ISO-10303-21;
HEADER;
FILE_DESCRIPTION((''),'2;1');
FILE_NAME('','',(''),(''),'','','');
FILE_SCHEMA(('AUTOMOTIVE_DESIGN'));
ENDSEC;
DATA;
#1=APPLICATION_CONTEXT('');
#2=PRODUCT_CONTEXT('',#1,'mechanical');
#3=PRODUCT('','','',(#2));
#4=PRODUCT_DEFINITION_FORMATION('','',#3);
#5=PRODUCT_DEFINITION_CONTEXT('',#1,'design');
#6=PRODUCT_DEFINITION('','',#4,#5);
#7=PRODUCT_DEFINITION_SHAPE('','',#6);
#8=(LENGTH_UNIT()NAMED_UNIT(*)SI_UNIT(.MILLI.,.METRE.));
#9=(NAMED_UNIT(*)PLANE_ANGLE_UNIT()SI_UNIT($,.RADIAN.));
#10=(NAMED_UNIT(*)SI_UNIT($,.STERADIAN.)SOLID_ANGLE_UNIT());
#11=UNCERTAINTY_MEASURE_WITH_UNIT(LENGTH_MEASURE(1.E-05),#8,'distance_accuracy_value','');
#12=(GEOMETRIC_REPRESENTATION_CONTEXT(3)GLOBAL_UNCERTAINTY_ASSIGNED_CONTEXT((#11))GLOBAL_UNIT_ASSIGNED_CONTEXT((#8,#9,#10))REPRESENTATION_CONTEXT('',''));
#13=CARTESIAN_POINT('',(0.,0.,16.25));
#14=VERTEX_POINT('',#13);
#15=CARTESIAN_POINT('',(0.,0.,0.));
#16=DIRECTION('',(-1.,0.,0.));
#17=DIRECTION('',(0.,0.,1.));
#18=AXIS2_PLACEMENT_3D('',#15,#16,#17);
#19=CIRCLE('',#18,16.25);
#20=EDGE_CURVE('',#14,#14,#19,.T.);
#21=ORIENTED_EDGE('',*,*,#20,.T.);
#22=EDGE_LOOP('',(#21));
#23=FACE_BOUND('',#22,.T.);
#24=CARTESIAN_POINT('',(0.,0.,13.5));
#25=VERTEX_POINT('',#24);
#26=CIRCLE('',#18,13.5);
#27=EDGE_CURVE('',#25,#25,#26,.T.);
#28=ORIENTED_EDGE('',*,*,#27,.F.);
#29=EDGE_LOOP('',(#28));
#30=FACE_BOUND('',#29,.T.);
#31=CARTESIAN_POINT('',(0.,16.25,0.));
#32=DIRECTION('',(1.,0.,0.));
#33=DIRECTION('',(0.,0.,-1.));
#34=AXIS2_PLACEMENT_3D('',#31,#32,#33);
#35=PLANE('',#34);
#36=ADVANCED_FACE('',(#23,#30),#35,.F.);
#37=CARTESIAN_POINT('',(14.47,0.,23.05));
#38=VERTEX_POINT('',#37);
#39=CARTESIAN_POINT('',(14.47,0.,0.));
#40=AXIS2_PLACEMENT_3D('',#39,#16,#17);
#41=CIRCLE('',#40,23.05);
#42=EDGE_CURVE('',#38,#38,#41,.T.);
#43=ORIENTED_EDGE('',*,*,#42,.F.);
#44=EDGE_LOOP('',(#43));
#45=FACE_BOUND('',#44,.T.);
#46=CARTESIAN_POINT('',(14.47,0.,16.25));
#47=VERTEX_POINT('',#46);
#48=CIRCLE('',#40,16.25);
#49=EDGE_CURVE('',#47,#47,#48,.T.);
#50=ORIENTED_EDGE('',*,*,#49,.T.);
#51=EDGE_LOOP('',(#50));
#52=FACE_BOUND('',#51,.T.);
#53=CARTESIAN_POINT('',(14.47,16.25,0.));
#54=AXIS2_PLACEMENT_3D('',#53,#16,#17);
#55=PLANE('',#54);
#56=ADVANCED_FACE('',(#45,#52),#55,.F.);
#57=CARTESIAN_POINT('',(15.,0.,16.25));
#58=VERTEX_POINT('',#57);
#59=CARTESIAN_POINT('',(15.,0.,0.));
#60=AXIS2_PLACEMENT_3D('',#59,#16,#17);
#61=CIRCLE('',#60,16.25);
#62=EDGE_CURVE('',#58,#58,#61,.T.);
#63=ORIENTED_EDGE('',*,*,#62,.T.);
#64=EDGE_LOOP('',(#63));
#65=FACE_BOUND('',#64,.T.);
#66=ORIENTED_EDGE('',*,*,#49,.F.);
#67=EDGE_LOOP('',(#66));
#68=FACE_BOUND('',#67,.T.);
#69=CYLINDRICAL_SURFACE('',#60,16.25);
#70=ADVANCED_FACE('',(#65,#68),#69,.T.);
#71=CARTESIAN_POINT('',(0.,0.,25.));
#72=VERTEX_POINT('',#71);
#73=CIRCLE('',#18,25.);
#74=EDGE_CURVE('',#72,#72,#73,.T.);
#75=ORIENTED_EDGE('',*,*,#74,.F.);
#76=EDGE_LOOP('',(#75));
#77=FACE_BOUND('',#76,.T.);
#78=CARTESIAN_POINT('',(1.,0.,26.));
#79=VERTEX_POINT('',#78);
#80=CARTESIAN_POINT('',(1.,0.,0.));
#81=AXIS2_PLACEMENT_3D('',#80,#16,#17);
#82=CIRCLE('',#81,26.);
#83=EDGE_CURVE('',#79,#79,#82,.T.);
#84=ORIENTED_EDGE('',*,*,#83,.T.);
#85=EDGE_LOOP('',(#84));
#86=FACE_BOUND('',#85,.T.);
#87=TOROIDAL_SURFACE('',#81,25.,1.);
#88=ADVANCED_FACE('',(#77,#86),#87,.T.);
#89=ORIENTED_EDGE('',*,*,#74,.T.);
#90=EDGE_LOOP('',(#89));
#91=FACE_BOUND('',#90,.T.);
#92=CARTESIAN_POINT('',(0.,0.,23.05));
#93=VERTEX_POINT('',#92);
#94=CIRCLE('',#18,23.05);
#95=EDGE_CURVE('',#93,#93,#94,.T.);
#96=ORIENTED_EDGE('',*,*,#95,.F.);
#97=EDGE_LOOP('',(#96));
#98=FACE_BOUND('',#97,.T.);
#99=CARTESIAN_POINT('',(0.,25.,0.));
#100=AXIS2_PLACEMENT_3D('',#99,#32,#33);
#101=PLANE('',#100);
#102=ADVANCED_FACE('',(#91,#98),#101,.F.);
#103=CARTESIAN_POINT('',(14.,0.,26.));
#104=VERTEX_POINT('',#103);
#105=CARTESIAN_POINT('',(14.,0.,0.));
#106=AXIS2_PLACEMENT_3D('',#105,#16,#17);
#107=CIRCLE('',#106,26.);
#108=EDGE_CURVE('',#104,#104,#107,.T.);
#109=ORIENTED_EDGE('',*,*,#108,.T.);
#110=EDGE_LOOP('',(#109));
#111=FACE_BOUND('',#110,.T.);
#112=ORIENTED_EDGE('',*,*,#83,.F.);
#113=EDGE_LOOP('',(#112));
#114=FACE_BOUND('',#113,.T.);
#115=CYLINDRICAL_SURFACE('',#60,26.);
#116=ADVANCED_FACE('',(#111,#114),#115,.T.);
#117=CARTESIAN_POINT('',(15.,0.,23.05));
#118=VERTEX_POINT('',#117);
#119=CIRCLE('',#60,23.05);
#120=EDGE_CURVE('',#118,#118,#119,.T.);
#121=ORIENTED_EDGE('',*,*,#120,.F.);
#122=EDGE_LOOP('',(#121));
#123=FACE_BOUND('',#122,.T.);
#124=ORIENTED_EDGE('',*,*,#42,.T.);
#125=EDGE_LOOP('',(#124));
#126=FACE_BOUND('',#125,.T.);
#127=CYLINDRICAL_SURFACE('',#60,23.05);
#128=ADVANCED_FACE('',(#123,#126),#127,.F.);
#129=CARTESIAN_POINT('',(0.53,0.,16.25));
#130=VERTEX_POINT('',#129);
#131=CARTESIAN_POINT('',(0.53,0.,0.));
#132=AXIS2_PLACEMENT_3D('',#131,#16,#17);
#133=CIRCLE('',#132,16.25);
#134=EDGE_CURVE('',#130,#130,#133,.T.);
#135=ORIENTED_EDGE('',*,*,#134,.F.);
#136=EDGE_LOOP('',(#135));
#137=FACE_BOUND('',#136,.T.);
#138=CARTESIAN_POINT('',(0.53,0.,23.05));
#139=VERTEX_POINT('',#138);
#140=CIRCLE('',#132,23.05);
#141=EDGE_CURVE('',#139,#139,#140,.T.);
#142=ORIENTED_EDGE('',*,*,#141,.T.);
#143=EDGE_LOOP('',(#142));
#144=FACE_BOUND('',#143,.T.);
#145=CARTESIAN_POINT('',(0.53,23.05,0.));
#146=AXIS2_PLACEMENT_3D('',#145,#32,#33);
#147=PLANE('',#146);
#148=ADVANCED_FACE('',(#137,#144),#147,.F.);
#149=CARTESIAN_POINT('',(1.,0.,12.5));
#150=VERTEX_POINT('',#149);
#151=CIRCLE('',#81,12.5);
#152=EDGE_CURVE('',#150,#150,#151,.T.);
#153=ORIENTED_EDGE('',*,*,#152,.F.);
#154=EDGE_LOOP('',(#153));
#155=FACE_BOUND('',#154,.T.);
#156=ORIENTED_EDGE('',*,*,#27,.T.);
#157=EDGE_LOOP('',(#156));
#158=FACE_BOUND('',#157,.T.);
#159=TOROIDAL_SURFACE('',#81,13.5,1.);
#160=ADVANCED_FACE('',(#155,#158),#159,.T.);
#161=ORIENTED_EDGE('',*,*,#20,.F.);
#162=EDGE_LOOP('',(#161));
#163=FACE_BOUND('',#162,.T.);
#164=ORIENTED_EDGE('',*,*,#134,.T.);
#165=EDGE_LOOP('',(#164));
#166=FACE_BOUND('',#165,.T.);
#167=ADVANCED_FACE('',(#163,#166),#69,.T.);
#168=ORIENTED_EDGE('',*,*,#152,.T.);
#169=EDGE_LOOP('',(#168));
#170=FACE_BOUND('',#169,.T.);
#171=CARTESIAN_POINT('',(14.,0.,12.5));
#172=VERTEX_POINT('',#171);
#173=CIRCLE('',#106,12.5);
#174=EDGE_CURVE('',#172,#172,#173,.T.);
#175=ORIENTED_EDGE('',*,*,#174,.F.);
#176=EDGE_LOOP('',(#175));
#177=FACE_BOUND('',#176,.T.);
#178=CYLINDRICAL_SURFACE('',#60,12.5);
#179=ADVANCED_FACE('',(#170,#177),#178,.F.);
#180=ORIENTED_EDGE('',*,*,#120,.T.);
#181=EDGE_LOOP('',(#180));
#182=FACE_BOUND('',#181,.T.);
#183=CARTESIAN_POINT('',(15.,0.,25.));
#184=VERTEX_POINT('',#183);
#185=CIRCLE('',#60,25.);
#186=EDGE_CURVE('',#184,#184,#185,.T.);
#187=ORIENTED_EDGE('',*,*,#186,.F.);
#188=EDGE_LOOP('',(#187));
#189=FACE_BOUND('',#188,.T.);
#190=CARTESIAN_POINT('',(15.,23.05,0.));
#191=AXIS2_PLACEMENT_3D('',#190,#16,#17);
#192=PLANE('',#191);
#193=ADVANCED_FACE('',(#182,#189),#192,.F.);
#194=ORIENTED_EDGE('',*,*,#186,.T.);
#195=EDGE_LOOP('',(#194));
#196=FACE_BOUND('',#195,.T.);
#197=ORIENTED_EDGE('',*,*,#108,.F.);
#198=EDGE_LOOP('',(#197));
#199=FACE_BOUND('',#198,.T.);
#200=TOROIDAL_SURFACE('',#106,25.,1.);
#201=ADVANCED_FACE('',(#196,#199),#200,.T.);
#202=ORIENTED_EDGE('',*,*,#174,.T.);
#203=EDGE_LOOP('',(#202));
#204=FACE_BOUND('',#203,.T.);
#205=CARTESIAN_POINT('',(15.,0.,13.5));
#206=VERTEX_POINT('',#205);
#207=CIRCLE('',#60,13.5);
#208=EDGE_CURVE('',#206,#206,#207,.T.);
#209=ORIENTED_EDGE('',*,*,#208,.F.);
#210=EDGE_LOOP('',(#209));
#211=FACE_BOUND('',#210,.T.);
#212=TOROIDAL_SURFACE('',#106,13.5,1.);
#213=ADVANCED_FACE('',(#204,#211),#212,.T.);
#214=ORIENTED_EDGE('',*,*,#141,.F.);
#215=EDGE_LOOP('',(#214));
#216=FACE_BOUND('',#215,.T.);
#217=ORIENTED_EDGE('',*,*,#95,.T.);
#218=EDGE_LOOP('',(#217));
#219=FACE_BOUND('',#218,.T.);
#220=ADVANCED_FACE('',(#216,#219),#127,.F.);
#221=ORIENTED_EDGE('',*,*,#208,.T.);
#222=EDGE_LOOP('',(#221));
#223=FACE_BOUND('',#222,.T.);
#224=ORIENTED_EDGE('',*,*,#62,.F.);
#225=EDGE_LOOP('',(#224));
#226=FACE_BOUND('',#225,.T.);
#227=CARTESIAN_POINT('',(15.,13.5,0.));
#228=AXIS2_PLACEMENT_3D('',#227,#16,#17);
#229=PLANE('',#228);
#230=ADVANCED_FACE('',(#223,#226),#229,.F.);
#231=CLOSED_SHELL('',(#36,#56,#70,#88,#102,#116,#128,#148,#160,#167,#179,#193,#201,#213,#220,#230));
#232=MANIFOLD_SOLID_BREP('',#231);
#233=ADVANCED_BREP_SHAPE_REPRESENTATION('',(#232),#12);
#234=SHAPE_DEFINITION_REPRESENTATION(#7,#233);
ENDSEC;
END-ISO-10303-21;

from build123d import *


with BuildPart() as part:
    # Sketch1 → Revolve1 (revolve)
    with BuildSketch(Plane.XY, mode=Mode.PRIVATE) as revolve1_sk:
        with BuildLine():
            Line((0, 25), (0, 23.05))
            Line((0, 23.05), (0.53, 23.05))
            Line((0.53, 23.05), (0.53, 16.25))
            Line((0.53, 16.25), (0, 16.25))
            Line((0, 16.25), (0, 13.5))
            ThreePointArc((0, 13.5), (0.292893219, 12.792893219), (1, 12.5))
            Line((1, 12.5), (14, 12.5))
            ThreePointArc((14, 12.5), (14.707106781, 12.792893219), (15, 13.5))
            Line((15, 13.5), (15, 16.25))
            Line((15, 16.25), (14.47, 16.25))
            Line((14.47, 16.25), (14.47, 23.05))
            Line((14.47, 23.05), (15, 23.05))
            Line((15, 23.05), (15, 25))
            ThreePointArc((15, 25), (14.707106781, 25.707106781), (14, 26))
            Line((14, 26), (1, 26))
            ThreePointArc((1, 26), (0.292893219, 25.707106781), (0, 25))
        make_face()
    revolve(revolve1_sk.sketch.rotate(Axis((15, 0, 0), (-1, 0, 0)), 270), axis=Axis((15, 0, 0), (-1, 0, 0)))


solid = part.part
